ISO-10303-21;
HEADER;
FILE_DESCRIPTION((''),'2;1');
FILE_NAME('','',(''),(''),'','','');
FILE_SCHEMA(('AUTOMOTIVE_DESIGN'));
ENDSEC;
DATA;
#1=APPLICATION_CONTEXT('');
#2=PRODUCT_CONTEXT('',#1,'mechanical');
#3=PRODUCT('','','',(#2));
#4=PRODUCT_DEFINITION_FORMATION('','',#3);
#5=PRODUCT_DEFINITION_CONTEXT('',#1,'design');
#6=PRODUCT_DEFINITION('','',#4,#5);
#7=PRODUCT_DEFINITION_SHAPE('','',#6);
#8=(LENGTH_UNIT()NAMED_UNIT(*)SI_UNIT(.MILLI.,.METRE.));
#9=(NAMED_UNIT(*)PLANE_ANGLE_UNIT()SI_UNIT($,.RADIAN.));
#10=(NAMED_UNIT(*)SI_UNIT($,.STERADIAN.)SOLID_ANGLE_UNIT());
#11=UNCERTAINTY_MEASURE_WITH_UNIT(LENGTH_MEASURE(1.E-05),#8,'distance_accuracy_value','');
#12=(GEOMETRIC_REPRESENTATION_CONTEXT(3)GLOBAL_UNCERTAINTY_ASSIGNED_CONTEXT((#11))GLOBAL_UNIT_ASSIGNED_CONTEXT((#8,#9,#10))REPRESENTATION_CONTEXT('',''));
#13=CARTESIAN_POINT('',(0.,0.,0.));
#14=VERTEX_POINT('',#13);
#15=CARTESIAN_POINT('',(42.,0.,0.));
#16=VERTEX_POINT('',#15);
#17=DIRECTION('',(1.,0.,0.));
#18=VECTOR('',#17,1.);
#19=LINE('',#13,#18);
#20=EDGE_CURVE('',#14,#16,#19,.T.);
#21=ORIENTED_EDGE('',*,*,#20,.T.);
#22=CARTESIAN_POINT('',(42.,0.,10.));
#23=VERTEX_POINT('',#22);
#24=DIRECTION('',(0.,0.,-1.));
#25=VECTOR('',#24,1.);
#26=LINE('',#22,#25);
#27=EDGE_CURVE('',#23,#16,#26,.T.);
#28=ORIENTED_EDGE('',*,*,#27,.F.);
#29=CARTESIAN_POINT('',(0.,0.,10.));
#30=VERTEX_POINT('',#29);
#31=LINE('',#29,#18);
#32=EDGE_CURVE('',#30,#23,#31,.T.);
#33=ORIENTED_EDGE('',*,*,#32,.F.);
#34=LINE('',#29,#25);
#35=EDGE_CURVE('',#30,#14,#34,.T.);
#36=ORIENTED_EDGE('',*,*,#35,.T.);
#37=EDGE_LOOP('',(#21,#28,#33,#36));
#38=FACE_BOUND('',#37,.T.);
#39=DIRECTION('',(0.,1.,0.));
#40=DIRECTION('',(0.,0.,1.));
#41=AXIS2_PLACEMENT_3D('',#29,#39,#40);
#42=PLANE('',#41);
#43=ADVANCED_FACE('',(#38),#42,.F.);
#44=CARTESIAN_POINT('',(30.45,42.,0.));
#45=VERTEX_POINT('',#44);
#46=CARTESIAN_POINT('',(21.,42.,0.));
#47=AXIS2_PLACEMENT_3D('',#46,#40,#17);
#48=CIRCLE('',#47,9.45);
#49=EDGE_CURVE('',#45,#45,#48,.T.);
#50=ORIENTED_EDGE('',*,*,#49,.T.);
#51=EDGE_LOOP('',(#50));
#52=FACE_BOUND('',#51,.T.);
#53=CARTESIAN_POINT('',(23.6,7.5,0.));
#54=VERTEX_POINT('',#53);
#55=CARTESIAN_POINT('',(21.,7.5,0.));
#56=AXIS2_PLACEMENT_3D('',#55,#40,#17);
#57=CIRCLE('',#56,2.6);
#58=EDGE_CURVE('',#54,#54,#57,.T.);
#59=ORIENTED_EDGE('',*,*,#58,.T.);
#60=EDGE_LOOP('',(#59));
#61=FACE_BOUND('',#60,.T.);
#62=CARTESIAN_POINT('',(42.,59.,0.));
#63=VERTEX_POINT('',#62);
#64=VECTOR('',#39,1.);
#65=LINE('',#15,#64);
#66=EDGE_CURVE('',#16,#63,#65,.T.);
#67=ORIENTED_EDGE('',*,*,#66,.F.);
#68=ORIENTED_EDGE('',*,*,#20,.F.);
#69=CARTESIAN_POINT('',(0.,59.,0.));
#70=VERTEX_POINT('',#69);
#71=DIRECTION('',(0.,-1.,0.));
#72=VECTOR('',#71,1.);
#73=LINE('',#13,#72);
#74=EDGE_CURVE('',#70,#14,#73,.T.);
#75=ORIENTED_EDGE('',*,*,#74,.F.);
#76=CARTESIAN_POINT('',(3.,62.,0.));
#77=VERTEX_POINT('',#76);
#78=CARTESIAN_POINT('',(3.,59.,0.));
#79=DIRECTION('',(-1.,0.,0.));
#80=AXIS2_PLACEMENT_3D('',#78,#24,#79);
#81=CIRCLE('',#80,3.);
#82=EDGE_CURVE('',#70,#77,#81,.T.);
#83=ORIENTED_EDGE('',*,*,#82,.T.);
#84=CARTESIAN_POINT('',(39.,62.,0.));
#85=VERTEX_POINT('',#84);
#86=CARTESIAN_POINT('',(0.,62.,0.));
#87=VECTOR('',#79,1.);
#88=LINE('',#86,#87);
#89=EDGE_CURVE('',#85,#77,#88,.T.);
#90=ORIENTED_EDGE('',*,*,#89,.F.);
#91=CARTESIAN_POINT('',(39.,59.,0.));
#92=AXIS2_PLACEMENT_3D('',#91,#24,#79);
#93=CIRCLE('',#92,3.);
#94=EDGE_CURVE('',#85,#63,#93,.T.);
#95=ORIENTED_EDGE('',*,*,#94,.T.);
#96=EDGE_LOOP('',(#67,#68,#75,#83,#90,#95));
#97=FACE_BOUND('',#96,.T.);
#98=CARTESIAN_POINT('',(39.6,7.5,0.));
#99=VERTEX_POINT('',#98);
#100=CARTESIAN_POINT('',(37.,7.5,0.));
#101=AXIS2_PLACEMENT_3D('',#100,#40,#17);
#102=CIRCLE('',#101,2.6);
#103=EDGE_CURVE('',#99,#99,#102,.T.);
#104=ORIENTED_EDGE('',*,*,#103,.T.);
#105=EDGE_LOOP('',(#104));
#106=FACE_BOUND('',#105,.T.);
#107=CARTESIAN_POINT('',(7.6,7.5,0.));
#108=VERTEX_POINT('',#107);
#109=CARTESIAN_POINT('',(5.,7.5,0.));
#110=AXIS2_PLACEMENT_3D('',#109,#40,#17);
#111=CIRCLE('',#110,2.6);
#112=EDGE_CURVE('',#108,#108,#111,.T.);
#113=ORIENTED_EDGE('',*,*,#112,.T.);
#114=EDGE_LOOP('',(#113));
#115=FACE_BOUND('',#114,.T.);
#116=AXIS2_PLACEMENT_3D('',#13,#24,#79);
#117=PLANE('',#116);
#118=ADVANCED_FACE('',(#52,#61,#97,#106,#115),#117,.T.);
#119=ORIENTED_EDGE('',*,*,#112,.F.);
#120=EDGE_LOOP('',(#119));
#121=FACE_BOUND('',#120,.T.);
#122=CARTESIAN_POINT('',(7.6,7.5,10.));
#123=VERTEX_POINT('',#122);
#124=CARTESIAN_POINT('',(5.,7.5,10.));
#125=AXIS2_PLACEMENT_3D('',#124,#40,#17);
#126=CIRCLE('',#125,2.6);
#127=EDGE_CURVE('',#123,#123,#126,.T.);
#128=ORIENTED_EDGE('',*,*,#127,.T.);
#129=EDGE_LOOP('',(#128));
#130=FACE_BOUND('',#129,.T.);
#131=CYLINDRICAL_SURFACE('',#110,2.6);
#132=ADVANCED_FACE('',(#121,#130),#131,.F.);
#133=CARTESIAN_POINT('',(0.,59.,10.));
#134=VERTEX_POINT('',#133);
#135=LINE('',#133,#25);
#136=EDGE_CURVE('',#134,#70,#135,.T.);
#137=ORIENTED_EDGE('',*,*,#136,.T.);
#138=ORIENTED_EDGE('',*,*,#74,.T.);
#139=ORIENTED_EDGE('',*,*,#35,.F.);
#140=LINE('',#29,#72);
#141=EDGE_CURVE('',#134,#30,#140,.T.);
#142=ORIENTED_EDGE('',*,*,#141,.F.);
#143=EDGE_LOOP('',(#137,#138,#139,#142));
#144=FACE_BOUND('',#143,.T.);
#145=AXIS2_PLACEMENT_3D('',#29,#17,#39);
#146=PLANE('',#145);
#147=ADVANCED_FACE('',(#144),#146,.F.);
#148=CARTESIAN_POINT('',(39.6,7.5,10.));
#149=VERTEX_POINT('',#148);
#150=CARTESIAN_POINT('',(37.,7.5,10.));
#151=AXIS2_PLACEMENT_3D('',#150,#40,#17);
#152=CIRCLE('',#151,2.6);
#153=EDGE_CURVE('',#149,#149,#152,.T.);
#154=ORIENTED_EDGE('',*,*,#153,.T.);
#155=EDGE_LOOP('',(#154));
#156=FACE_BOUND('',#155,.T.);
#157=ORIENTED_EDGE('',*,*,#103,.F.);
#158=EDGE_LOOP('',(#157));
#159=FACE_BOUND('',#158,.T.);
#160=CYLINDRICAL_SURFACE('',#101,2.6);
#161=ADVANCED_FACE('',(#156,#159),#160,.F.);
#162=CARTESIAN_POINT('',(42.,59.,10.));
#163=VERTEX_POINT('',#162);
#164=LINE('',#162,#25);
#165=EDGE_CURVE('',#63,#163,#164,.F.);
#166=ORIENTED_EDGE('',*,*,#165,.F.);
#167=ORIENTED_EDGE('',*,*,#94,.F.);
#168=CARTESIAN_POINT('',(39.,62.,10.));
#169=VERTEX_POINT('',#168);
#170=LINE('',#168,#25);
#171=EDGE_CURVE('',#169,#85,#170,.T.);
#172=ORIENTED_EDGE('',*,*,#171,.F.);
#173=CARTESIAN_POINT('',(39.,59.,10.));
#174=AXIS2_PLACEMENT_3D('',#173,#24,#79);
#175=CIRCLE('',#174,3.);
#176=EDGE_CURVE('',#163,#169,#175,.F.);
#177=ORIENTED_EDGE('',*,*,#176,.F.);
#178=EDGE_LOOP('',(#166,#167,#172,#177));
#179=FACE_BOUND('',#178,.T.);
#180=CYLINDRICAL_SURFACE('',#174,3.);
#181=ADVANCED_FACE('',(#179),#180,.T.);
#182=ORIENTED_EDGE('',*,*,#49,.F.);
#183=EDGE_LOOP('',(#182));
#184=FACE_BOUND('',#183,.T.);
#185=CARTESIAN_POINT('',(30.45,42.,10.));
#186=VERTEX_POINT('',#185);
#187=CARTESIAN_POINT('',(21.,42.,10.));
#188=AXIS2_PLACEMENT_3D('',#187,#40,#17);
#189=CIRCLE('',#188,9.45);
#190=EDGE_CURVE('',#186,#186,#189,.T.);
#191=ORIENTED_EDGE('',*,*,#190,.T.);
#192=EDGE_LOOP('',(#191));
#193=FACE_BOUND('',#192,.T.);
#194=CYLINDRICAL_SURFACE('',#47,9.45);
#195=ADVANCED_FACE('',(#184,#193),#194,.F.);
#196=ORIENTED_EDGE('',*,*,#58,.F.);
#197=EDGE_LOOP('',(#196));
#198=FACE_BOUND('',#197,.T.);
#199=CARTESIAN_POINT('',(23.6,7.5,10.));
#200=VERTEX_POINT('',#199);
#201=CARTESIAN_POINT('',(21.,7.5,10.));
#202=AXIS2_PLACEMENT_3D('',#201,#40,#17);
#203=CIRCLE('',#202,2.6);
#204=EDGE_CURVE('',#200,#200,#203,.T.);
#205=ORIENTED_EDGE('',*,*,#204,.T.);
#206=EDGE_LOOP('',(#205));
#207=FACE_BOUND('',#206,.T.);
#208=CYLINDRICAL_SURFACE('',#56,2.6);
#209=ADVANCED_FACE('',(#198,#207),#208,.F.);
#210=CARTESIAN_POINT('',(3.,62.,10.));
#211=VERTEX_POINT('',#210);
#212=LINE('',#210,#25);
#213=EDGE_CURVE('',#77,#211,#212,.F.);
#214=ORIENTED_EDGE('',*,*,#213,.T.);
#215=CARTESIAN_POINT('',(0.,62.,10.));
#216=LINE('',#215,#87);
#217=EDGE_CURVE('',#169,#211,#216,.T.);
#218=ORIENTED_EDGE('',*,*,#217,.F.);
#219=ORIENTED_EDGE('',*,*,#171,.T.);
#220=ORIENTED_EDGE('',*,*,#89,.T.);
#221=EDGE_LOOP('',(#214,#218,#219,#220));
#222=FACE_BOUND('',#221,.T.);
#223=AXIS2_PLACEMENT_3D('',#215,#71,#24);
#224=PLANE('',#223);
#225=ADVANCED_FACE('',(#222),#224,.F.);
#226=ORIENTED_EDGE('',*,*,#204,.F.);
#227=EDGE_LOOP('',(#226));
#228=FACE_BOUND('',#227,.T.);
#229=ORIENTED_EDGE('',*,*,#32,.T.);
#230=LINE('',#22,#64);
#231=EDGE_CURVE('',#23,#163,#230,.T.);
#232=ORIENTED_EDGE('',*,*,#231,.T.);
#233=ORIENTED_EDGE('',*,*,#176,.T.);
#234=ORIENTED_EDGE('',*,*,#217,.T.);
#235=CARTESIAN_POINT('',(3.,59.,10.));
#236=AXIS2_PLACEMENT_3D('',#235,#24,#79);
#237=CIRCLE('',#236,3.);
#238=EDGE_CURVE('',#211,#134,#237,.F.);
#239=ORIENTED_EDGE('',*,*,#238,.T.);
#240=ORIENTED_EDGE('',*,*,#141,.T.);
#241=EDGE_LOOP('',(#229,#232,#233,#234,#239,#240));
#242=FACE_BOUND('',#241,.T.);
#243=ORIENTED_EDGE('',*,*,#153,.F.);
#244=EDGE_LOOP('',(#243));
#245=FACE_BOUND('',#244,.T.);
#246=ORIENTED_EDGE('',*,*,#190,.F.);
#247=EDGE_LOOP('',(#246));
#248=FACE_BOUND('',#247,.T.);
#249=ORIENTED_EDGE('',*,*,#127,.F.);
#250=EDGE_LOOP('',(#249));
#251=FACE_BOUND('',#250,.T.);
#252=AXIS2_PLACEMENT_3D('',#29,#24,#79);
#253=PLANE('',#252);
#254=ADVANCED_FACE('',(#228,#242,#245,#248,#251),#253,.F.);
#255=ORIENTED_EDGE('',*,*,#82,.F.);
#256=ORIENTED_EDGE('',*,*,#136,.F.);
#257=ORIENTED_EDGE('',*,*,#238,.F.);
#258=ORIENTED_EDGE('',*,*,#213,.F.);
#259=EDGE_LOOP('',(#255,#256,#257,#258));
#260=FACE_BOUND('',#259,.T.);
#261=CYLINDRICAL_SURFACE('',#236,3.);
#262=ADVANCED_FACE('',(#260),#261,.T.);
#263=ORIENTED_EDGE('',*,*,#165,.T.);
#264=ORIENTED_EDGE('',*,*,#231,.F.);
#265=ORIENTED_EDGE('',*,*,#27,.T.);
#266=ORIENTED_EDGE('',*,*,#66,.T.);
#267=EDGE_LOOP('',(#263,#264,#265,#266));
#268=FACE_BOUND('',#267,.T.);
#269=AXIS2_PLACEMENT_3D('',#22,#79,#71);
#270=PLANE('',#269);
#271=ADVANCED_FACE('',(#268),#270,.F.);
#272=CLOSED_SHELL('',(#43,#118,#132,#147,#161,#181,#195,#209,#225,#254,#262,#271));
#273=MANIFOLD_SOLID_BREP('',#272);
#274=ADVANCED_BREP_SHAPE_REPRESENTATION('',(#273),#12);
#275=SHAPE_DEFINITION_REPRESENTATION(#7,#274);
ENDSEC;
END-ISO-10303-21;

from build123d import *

# Parameters (mm, degrees)
SKETCH1_W           = 42
SKETCH1_H           = 62
SKETCH1_R           = 4.15
BOSS_EXTRUDE1_DEPTH = 10
FILLET1_R           = 3
SKETCH2_R           = 2.6
CUT_EXTRUDE1_DEPTH  = 11
SKETCH3_R           = 9.45
CUT_EXTRUDE2_DEPTH  = 10


with BuildPart() as part:
    # Sketch1 → Boss-Extrude1 (new body)
    with BuildSketch(Plane.XY):
        with Locations((21, 31)):
            Rectangle(SKETCH1_W, SKETCH1_H)
        with Locations((21, 42)):
            Circle(SKETCH1_R, mode=Mode.SUBTRACT)
    extrude(amount=BOSS_EXTRUDE1_DEPTH)

    # Fillet1
    fillet1_edges = [part.edges().sort_by_distance(p)[0] for p in [
        (0, 62, 5),
        (42, 62, 5),
    ]]
    fillet(fillet1_edges, radius=FILLET1_R)

    # Sketch2 → Cut-Extrude1 (cut, through all)
    with BuildSketch(Plane.XY.offset(10)):
        with Locations((5, 7.5)):
            Circle(SKETCH2_R)
        with Locations((21, 7.5)):
            Circle(SKETCH2_R)
        with Locations((37, 7.5)):
            Circle(SKETCH2_R)
    extrude(amount=-CUT_EXTRUDE1_DEPTH, mode=Mode.SUBTRACT)

    # Sketch3 → Cut-Extrude2 (cut)
    with BuildSketch(Plane.XY.offset(10)):
        with Locations((21, 42)):
            Circle(SKETCH3_R)
    extrude(amount=-CUT_EXTRUDE2_DEPTH, mode=Mode.SUBTRACT)


solid = part.part
